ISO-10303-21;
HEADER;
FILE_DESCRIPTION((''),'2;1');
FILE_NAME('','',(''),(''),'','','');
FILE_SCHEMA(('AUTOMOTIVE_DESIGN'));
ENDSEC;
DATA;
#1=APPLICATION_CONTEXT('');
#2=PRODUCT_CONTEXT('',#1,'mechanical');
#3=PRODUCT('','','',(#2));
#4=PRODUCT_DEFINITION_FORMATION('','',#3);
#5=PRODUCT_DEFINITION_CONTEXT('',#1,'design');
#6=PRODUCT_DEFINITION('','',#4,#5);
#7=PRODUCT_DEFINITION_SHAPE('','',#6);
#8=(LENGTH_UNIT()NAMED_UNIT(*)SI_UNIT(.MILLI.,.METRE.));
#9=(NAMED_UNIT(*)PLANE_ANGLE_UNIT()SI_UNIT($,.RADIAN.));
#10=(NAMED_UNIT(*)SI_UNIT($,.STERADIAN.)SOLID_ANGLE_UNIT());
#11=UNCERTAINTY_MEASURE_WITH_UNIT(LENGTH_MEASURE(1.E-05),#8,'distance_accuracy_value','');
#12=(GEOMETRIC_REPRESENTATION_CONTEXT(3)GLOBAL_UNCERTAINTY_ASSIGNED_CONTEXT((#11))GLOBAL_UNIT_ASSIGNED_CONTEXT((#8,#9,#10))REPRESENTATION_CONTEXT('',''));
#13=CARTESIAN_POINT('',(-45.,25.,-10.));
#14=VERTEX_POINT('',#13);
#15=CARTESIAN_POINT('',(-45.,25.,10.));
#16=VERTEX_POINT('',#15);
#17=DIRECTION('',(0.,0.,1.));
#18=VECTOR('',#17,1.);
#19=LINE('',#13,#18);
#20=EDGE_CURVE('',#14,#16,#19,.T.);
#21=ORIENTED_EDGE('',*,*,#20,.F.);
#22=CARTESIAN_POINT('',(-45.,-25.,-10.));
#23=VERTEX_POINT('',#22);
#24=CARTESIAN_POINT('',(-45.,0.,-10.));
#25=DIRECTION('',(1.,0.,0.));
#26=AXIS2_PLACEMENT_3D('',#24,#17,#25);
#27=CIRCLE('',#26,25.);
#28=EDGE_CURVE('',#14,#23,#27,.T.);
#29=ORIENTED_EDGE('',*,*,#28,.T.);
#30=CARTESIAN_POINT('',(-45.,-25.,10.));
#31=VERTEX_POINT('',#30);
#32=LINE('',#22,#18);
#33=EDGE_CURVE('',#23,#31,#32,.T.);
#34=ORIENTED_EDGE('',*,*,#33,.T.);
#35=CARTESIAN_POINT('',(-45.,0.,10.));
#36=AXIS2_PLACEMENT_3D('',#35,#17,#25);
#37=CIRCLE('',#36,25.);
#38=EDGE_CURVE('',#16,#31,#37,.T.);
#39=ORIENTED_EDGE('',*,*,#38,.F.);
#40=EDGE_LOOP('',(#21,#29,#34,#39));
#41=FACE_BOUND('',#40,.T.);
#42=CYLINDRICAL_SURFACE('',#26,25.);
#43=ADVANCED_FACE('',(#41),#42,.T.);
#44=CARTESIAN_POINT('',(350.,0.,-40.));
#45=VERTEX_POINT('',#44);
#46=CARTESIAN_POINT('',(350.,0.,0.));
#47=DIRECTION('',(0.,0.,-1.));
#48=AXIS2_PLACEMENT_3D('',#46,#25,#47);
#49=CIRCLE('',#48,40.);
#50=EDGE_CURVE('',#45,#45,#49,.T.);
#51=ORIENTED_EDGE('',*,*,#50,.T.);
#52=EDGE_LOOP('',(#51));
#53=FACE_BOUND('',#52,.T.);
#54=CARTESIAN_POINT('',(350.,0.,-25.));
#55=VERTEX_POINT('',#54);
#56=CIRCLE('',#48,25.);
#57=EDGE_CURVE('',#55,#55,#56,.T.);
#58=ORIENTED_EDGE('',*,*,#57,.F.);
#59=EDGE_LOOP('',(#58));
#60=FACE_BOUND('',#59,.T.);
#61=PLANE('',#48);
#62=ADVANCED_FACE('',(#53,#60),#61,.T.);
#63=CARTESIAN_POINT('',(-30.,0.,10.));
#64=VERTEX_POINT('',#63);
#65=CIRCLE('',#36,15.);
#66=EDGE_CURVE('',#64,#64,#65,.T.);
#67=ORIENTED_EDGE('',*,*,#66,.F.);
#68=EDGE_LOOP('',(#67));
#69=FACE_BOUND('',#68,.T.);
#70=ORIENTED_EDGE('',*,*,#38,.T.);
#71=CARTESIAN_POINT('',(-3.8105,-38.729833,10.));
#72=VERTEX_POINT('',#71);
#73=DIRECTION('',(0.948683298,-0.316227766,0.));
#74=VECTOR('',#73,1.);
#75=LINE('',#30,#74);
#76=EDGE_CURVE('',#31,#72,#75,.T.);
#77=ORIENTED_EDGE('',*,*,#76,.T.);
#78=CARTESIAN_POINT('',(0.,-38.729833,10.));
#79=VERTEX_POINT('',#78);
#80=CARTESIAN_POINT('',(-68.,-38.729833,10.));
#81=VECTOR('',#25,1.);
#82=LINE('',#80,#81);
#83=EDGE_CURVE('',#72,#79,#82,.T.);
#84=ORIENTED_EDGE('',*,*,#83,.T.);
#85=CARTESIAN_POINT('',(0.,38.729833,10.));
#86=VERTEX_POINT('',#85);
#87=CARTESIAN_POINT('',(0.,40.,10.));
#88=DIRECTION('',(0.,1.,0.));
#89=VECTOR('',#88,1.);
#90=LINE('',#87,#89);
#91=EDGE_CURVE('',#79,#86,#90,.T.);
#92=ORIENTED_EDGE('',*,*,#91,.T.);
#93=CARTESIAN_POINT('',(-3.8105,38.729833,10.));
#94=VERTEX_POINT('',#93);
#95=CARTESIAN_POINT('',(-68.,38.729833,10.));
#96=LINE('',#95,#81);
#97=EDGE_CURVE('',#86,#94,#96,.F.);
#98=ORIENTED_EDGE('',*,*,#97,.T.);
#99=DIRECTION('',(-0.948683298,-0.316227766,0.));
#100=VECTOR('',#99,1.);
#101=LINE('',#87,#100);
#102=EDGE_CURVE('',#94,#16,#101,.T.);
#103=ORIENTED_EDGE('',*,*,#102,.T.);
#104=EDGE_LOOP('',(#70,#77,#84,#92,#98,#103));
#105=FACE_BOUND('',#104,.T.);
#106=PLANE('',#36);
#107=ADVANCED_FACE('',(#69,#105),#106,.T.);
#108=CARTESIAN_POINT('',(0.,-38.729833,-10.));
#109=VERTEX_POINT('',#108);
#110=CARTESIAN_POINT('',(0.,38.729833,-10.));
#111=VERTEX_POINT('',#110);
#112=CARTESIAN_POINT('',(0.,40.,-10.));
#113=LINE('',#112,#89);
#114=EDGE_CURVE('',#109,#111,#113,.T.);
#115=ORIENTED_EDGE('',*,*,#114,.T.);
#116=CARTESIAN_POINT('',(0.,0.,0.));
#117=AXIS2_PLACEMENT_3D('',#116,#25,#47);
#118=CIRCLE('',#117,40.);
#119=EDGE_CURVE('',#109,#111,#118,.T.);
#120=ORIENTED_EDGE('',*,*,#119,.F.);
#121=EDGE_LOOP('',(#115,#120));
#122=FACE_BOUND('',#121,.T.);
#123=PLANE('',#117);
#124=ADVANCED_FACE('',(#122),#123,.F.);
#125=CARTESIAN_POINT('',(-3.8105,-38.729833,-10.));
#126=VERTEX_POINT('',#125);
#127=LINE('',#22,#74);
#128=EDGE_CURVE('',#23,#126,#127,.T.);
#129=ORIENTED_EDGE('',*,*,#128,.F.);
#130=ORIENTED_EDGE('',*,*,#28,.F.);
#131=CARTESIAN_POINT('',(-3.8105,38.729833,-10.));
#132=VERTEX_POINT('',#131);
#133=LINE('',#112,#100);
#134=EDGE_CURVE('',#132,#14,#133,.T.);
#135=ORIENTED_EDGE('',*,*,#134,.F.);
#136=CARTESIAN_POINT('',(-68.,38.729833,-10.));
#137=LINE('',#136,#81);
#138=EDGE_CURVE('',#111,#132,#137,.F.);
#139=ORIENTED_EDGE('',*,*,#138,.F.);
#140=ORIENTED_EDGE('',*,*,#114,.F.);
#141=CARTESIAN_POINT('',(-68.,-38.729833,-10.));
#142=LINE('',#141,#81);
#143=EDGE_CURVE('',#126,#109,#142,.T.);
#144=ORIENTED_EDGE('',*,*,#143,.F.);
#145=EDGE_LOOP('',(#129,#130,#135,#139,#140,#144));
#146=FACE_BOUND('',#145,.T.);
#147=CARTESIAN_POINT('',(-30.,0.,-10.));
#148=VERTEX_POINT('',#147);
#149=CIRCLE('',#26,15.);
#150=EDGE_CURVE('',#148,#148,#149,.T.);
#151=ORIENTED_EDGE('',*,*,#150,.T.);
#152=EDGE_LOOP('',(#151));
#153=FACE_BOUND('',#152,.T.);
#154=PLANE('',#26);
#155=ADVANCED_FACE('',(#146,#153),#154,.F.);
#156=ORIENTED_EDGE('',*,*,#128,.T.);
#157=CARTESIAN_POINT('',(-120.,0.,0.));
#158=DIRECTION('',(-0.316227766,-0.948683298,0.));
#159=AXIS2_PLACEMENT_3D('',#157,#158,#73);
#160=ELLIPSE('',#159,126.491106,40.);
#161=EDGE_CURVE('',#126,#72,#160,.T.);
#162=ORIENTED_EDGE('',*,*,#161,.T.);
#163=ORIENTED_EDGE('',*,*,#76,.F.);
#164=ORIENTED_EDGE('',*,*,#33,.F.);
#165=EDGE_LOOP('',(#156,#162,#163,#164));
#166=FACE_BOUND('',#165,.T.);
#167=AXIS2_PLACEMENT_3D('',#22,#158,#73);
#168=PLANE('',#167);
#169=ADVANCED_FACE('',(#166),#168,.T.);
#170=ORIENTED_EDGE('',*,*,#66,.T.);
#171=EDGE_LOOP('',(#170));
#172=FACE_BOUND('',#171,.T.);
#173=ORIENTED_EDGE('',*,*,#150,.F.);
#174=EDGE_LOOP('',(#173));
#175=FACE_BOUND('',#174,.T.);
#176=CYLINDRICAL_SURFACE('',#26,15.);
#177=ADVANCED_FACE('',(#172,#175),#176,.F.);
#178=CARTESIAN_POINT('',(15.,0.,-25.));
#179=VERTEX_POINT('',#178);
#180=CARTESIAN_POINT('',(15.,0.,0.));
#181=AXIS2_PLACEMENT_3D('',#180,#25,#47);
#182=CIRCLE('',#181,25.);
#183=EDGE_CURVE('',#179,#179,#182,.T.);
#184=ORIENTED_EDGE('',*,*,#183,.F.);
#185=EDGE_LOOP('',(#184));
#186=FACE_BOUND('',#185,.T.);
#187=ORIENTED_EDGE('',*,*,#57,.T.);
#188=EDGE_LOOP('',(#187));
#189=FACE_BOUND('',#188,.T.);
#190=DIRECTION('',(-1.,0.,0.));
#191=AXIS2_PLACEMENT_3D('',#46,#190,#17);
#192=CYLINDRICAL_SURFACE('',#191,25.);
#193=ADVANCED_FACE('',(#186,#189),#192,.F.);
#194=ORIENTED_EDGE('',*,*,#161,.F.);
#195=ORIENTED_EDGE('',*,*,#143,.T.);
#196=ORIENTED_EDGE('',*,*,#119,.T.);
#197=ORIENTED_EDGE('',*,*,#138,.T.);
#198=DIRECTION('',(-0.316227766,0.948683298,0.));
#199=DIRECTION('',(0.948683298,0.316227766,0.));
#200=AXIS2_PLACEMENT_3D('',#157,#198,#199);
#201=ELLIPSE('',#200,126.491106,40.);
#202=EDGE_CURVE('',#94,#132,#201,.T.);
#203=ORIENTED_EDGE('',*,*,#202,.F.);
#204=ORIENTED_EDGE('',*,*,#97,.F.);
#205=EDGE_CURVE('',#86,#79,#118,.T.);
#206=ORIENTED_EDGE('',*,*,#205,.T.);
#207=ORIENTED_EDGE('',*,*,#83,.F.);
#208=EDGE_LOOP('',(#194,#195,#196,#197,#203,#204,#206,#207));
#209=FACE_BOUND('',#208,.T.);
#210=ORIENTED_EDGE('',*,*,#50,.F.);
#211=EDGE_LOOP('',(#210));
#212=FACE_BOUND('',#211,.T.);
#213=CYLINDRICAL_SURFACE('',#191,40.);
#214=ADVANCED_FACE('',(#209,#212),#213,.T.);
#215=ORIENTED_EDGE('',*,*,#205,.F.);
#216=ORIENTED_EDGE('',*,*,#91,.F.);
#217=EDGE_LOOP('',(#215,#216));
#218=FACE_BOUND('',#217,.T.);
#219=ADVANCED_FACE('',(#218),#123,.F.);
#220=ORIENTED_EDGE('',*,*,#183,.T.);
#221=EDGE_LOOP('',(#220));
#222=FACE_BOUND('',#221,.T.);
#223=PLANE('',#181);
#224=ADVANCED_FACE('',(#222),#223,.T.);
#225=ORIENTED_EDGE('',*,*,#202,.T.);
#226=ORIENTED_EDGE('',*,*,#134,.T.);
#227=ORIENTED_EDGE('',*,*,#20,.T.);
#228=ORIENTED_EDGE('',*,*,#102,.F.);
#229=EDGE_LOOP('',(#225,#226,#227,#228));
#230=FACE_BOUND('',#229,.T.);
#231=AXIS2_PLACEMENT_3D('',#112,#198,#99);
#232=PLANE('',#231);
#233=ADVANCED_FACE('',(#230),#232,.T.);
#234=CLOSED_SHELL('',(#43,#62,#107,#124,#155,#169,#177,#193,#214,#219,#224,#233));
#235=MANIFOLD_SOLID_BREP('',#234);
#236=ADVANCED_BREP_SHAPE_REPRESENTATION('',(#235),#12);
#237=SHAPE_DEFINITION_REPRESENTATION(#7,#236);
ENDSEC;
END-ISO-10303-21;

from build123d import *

# Parameters (mm, degrees)
SKETCH1_R                = 40
BOSS_EXTRUDE1_DEPTH      = 350
SHELL1_T                 = -15
BOSS_EXTRUDE2_DEPTH      = 10
BOSS_EXTRUDE2_DEPTH_BACK = 10
SKETCH3_R                = 15
CUT_EXTRUDE1_START       = -68
SKETCH4_R                = 50.16795499
SKETCH4_R_2              = 40
CUT_EXTRUDE1_DEPTH       = 68


with BuildPart() as part:
    # Sketch1 → Boss-Extrude1 (new body)
    with BuildSketch(Plane(origin=(0, 0, 0), x_dir=(0, 0, -1), z_dir=(1, 0, 0))):
        Circle(SKETCH1_R)
    extrude(amount=BOSS_EXTRUDE1_DEPTH)

    # Shell1
    shell1_openings = [part.faces().sort_by_distance(p)[0] for p in [
        (350, 0, 0),
    ]]
    offset(amount=SHELL1_T, openings=shell1_openings, kind=Kind.INTERSECTION)

    # Sketch3 → Boss-Extrude2 (add, two sides: drawn at the far end of the back side and taken through both)
    with BuildSketch(Plane.XY.offset(-BOSS_EXTRUDE2_DEPTH_BACK)):
        with BuildLine():
            Line((0, 40), (-45, 25))
            ThreePointArc((-45, 25), (-70, 0), (-45, -25))
            Line((-45, -25), (0, -40))
            Line((0, -40), (0, 40))
        make_face()
        with Locations((-45, 0)):
            Circle(SKETCH3_R, mode=Mode.SUBTRACT)
    extrude(amount=BOSS_EXTRUDE2_DEPTH + BOSS_EXTRUDE2_DEPTH_BACK)

    # Sketch4 → Cut-Extrude1 (cut)
    with BuildSketch(Plane(origin=(0, 0, 0), x_dir=(0, 0, -1), z_dir=(1, 0, 0)).offset(CUT_EXTRUDE1_START)):
        Circle(SKETCH4_R)
        Circle(SKETCH4_R_2, mode=Mode.SUBTRACT)
    extrude(amount=CUT_EXTRUDE1_DEPTH, mode=Mode.SUBTRACT)


solid = part.part
